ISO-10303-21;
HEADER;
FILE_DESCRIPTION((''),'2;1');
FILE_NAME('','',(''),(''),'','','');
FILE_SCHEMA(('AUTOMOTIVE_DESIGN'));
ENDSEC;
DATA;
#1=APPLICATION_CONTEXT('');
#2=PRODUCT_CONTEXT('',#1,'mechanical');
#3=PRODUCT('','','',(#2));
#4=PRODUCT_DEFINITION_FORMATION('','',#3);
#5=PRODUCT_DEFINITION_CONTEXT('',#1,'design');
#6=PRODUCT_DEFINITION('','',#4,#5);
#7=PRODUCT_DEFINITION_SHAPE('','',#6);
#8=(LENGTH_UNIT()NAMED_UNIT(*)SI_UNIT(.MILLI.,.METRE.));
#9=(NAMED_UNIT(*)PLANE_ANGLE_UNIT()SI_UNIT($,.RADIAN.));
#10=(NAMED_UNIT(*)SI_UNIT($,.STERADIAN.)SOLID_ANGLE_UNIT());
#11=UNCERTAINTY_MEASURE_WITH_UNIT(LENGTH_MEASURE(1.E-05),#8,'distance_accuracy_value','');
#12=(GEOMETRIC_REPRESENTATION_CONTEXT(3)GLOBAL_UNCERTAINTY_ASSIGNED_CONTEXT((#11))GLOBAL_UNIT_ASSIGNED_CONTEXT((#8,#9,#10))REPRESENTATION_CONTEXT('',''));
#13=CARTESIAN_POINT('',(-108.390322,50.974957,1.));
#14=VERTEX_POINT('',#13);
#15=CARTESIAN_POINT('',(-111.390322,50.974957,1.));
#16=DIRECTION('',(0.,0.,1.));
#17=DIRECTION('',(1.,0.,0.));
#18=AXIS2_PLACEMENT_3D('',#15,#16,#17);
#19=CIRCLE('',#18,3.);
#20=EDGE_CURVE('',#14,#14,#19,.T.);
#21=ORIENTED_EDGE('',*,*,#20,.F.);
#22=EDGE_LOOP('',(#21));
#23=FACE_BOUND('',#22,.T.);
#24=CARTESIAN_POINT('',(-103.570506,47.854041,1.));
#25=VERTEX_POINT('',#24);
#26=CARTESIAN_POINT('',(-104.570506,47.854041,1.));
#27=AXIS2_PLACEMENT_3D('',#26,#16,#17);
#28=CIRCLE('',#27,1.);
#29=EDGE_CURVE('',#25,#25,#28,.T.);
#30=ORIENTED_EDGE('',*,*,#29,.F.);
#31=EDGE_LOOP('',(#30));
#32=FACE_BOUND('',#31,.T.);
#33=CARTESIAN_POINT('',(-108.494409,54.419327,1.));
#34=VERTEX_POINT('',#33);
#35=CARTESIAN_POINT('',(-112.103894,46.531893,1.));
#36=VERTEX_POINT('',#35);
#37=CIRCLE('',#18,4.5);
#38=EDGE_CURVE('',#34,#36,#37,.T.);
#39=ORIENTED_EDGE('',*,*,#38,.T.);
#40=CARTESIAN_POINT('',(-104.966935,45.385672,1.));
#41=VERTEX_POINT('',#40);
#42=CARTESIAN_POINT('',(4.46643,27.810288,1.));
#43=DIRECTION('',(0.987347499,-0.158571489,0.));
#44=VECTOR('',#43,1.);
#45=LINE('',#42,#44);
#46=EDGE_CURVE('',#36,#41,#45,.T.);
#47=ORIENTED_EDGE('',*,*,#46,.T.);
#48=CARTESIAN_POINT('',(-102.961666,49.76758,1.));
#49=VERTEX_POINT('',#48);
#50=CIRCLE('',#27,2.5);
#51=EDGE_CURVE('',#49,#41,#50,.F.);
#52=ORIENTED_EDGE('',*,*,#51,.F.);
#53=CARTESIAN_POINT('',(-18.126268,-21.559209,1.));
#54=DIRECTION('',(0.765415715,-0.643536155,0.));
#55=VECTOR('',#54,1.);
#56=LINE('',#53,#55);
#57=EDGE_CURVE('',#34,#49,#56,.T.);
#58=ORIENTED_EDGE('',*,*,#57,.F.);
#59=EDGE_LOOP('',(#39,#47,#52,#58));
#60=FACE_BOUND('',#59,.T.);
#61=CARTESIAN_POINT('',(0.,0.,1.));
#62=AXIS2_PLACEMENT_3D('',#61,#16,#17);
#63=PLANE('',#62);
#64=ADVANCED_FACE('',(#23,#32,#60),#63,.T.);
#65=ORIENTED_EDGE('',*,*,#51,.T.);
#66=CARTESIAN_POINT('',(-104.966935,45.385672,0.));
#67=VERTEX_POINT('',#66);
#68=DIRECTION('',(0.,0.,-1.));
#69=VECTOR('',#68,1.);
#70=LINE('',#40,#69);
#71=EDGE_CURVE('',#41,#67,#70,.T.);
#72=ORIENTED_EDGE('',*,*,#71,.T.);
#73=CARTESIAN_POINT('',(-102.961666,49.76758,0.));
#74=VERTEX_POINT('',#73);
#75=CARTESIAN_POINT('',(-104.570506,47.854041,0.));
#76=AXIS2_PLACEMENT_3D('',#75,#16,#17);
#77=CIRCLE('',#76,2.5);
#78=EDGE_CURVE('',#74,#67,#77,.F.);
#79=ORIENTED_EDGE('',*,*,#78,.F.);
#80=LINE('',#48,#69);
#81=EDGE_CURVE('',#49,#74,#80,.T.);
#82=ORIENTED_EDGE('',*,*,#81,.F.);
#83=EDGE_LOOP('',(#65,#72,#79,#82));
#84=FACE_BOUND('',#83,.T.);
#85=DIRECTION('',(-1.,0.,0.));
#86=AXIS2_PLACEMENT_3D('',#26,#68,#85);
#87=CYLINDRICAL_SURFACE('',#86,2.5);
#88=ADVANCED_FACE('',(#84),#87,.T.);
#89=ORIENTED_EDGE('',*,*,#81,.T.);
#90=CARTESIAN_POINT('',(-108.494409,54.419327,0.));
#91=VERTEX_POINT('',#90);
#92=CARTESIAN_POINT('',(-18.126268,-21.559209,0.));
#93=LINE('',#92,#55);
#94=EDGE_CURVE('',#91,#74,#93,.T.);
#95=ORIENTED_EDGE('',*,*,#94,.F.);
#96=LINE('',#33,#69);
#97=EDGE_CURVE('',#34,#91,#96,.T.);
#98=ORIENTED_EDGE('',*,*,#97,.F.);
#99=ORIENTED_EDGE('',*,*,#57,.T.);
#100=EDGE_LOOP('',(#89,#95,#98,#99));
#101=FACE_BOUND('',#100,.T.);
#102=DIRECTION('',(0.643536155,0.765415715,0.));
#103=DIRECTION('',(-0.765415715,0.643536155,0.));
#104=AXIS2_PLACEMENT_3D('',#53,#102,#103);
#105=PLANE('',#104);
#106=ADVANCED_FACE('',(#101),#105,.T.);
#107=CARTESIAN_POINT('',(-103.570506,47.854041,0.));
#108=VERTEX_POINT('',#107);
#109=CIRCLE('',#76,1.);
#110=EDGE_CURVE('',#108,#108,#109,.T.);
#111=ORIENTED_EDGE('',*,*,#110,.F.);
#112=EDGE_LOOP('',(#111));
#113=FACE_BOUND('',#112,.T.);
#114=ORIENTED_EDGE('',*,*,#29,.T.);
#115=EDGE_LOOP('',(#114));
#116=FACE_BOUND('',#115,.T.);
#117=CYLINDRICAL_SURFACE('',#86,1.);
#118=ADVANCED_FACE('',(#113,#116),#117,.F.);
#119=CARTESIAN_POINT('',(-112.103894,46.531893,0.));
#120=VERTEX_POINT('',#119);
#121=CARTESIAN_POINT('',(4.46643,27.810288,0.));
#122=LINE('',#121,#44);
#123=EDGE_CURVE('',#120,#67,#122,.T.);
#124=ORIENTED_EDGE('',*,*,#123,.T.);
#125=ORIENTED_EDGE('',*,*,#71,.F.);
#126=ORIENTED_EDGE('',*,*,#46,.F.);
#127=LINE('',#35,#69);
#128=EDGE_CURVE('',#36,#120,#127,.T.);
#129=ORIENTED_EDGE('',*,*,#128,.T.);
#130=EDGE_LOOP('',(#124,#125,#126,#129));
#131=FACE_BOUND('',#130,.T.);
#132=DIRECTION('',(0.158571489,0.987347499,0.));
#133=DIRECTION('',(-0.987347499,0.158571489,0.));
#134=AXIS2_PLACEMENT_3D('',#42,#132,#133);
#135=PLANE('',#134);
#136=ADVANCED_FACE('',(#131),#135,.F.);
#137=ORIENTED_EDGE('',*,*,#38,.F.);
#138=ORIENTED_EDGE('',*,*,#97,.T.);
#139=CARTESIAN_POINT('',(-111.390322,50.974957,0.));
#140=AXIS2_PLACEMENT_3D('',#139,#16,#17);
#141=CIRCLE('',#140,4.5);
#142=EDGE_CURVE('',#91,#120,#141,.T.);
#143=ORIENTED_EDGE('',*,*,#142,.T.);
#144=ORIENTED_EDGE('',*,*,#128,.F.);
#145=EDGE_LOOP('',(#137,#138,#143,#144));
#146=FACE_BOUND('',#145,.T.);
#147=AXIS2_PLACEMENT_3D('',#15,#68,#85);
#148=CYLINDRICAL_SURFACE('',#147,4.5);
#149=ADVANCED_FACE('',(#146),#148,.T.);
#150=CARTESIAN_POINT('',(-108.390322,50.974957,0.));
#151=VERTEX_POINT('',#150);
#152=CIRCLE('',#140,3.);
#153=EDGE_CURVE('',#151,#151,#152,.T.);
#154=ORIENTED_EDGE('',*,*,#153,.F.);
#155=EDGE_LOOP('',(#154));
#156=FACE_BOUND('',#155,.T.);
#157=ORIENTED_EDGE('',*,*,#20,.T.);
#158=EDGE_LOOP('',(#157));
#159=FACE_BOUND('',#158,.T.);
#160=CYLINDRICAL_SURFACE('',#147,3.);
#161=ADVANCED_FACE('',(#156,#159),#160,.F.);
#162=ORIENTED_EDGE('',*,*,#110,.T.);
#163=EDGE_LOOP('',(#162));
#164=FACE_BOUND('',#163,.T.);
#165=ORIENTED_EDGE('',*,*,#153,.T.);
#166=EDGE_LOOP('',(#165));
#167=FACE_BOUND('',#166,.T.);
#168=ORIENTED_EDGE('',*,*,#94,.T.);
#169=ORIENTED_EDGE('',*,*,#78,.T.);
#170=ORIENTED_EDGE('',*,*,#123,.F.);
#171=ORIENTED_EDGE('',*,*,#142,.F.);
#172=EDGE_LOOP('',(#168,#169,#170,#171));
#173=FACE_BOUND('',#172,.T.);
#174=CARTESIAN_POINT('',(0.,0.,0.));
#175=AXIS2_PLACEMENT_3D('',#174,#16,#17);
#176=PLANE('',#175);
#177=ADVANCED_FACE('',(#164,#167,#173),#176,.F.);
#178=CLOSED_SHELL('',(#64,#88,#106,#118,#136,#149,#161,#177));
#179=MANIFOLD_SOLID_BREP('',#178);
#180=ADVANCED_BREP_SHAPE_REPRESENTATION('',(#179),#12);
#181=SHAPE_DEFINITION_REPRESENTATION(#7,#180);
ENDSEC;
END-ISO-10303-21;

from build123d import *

# Parameters (mm, degrees)
SKETCH38_R           = 1
SKETCH38_R_2         = 3
BOSS_EXTRUDE13_DEPTH = 1


with BuildPart() as part:
    # Sketch38 → Boss-Extrude13 (new body)
    with BuildSketch(Plane.XY):
        with BuildLine():
            Line((-108.494409164, 54.419327267), (-102.96166585, 49.76758013))
            ThreePointArc((-102.96166585, 49.76758013), (-102.297234364, 46.813735607), (-104.966934961, 45.385672096))
            Line((-104.966934961, 45.385672096), (-112.103893563, 46.531892806))
            ThreePointArc((-112.103893563, 46.531892806), (-115.482211238, 52.847505974), (-108.494409164, 54.419327267))
        make_face()
        with Locations((-104.570506239, 47.854040843)):
            Circle(SKETCH38_R, mode=Mode.SUBTRACT)
        with Locations((-111.390321863, 50.97495655)):
            Circle(SKETCH38_R_2, mode=Mode.SUBTRACT)
    extrude(amount=BOSS_EXTRUDE13_DEPTH)


solid = part.part
